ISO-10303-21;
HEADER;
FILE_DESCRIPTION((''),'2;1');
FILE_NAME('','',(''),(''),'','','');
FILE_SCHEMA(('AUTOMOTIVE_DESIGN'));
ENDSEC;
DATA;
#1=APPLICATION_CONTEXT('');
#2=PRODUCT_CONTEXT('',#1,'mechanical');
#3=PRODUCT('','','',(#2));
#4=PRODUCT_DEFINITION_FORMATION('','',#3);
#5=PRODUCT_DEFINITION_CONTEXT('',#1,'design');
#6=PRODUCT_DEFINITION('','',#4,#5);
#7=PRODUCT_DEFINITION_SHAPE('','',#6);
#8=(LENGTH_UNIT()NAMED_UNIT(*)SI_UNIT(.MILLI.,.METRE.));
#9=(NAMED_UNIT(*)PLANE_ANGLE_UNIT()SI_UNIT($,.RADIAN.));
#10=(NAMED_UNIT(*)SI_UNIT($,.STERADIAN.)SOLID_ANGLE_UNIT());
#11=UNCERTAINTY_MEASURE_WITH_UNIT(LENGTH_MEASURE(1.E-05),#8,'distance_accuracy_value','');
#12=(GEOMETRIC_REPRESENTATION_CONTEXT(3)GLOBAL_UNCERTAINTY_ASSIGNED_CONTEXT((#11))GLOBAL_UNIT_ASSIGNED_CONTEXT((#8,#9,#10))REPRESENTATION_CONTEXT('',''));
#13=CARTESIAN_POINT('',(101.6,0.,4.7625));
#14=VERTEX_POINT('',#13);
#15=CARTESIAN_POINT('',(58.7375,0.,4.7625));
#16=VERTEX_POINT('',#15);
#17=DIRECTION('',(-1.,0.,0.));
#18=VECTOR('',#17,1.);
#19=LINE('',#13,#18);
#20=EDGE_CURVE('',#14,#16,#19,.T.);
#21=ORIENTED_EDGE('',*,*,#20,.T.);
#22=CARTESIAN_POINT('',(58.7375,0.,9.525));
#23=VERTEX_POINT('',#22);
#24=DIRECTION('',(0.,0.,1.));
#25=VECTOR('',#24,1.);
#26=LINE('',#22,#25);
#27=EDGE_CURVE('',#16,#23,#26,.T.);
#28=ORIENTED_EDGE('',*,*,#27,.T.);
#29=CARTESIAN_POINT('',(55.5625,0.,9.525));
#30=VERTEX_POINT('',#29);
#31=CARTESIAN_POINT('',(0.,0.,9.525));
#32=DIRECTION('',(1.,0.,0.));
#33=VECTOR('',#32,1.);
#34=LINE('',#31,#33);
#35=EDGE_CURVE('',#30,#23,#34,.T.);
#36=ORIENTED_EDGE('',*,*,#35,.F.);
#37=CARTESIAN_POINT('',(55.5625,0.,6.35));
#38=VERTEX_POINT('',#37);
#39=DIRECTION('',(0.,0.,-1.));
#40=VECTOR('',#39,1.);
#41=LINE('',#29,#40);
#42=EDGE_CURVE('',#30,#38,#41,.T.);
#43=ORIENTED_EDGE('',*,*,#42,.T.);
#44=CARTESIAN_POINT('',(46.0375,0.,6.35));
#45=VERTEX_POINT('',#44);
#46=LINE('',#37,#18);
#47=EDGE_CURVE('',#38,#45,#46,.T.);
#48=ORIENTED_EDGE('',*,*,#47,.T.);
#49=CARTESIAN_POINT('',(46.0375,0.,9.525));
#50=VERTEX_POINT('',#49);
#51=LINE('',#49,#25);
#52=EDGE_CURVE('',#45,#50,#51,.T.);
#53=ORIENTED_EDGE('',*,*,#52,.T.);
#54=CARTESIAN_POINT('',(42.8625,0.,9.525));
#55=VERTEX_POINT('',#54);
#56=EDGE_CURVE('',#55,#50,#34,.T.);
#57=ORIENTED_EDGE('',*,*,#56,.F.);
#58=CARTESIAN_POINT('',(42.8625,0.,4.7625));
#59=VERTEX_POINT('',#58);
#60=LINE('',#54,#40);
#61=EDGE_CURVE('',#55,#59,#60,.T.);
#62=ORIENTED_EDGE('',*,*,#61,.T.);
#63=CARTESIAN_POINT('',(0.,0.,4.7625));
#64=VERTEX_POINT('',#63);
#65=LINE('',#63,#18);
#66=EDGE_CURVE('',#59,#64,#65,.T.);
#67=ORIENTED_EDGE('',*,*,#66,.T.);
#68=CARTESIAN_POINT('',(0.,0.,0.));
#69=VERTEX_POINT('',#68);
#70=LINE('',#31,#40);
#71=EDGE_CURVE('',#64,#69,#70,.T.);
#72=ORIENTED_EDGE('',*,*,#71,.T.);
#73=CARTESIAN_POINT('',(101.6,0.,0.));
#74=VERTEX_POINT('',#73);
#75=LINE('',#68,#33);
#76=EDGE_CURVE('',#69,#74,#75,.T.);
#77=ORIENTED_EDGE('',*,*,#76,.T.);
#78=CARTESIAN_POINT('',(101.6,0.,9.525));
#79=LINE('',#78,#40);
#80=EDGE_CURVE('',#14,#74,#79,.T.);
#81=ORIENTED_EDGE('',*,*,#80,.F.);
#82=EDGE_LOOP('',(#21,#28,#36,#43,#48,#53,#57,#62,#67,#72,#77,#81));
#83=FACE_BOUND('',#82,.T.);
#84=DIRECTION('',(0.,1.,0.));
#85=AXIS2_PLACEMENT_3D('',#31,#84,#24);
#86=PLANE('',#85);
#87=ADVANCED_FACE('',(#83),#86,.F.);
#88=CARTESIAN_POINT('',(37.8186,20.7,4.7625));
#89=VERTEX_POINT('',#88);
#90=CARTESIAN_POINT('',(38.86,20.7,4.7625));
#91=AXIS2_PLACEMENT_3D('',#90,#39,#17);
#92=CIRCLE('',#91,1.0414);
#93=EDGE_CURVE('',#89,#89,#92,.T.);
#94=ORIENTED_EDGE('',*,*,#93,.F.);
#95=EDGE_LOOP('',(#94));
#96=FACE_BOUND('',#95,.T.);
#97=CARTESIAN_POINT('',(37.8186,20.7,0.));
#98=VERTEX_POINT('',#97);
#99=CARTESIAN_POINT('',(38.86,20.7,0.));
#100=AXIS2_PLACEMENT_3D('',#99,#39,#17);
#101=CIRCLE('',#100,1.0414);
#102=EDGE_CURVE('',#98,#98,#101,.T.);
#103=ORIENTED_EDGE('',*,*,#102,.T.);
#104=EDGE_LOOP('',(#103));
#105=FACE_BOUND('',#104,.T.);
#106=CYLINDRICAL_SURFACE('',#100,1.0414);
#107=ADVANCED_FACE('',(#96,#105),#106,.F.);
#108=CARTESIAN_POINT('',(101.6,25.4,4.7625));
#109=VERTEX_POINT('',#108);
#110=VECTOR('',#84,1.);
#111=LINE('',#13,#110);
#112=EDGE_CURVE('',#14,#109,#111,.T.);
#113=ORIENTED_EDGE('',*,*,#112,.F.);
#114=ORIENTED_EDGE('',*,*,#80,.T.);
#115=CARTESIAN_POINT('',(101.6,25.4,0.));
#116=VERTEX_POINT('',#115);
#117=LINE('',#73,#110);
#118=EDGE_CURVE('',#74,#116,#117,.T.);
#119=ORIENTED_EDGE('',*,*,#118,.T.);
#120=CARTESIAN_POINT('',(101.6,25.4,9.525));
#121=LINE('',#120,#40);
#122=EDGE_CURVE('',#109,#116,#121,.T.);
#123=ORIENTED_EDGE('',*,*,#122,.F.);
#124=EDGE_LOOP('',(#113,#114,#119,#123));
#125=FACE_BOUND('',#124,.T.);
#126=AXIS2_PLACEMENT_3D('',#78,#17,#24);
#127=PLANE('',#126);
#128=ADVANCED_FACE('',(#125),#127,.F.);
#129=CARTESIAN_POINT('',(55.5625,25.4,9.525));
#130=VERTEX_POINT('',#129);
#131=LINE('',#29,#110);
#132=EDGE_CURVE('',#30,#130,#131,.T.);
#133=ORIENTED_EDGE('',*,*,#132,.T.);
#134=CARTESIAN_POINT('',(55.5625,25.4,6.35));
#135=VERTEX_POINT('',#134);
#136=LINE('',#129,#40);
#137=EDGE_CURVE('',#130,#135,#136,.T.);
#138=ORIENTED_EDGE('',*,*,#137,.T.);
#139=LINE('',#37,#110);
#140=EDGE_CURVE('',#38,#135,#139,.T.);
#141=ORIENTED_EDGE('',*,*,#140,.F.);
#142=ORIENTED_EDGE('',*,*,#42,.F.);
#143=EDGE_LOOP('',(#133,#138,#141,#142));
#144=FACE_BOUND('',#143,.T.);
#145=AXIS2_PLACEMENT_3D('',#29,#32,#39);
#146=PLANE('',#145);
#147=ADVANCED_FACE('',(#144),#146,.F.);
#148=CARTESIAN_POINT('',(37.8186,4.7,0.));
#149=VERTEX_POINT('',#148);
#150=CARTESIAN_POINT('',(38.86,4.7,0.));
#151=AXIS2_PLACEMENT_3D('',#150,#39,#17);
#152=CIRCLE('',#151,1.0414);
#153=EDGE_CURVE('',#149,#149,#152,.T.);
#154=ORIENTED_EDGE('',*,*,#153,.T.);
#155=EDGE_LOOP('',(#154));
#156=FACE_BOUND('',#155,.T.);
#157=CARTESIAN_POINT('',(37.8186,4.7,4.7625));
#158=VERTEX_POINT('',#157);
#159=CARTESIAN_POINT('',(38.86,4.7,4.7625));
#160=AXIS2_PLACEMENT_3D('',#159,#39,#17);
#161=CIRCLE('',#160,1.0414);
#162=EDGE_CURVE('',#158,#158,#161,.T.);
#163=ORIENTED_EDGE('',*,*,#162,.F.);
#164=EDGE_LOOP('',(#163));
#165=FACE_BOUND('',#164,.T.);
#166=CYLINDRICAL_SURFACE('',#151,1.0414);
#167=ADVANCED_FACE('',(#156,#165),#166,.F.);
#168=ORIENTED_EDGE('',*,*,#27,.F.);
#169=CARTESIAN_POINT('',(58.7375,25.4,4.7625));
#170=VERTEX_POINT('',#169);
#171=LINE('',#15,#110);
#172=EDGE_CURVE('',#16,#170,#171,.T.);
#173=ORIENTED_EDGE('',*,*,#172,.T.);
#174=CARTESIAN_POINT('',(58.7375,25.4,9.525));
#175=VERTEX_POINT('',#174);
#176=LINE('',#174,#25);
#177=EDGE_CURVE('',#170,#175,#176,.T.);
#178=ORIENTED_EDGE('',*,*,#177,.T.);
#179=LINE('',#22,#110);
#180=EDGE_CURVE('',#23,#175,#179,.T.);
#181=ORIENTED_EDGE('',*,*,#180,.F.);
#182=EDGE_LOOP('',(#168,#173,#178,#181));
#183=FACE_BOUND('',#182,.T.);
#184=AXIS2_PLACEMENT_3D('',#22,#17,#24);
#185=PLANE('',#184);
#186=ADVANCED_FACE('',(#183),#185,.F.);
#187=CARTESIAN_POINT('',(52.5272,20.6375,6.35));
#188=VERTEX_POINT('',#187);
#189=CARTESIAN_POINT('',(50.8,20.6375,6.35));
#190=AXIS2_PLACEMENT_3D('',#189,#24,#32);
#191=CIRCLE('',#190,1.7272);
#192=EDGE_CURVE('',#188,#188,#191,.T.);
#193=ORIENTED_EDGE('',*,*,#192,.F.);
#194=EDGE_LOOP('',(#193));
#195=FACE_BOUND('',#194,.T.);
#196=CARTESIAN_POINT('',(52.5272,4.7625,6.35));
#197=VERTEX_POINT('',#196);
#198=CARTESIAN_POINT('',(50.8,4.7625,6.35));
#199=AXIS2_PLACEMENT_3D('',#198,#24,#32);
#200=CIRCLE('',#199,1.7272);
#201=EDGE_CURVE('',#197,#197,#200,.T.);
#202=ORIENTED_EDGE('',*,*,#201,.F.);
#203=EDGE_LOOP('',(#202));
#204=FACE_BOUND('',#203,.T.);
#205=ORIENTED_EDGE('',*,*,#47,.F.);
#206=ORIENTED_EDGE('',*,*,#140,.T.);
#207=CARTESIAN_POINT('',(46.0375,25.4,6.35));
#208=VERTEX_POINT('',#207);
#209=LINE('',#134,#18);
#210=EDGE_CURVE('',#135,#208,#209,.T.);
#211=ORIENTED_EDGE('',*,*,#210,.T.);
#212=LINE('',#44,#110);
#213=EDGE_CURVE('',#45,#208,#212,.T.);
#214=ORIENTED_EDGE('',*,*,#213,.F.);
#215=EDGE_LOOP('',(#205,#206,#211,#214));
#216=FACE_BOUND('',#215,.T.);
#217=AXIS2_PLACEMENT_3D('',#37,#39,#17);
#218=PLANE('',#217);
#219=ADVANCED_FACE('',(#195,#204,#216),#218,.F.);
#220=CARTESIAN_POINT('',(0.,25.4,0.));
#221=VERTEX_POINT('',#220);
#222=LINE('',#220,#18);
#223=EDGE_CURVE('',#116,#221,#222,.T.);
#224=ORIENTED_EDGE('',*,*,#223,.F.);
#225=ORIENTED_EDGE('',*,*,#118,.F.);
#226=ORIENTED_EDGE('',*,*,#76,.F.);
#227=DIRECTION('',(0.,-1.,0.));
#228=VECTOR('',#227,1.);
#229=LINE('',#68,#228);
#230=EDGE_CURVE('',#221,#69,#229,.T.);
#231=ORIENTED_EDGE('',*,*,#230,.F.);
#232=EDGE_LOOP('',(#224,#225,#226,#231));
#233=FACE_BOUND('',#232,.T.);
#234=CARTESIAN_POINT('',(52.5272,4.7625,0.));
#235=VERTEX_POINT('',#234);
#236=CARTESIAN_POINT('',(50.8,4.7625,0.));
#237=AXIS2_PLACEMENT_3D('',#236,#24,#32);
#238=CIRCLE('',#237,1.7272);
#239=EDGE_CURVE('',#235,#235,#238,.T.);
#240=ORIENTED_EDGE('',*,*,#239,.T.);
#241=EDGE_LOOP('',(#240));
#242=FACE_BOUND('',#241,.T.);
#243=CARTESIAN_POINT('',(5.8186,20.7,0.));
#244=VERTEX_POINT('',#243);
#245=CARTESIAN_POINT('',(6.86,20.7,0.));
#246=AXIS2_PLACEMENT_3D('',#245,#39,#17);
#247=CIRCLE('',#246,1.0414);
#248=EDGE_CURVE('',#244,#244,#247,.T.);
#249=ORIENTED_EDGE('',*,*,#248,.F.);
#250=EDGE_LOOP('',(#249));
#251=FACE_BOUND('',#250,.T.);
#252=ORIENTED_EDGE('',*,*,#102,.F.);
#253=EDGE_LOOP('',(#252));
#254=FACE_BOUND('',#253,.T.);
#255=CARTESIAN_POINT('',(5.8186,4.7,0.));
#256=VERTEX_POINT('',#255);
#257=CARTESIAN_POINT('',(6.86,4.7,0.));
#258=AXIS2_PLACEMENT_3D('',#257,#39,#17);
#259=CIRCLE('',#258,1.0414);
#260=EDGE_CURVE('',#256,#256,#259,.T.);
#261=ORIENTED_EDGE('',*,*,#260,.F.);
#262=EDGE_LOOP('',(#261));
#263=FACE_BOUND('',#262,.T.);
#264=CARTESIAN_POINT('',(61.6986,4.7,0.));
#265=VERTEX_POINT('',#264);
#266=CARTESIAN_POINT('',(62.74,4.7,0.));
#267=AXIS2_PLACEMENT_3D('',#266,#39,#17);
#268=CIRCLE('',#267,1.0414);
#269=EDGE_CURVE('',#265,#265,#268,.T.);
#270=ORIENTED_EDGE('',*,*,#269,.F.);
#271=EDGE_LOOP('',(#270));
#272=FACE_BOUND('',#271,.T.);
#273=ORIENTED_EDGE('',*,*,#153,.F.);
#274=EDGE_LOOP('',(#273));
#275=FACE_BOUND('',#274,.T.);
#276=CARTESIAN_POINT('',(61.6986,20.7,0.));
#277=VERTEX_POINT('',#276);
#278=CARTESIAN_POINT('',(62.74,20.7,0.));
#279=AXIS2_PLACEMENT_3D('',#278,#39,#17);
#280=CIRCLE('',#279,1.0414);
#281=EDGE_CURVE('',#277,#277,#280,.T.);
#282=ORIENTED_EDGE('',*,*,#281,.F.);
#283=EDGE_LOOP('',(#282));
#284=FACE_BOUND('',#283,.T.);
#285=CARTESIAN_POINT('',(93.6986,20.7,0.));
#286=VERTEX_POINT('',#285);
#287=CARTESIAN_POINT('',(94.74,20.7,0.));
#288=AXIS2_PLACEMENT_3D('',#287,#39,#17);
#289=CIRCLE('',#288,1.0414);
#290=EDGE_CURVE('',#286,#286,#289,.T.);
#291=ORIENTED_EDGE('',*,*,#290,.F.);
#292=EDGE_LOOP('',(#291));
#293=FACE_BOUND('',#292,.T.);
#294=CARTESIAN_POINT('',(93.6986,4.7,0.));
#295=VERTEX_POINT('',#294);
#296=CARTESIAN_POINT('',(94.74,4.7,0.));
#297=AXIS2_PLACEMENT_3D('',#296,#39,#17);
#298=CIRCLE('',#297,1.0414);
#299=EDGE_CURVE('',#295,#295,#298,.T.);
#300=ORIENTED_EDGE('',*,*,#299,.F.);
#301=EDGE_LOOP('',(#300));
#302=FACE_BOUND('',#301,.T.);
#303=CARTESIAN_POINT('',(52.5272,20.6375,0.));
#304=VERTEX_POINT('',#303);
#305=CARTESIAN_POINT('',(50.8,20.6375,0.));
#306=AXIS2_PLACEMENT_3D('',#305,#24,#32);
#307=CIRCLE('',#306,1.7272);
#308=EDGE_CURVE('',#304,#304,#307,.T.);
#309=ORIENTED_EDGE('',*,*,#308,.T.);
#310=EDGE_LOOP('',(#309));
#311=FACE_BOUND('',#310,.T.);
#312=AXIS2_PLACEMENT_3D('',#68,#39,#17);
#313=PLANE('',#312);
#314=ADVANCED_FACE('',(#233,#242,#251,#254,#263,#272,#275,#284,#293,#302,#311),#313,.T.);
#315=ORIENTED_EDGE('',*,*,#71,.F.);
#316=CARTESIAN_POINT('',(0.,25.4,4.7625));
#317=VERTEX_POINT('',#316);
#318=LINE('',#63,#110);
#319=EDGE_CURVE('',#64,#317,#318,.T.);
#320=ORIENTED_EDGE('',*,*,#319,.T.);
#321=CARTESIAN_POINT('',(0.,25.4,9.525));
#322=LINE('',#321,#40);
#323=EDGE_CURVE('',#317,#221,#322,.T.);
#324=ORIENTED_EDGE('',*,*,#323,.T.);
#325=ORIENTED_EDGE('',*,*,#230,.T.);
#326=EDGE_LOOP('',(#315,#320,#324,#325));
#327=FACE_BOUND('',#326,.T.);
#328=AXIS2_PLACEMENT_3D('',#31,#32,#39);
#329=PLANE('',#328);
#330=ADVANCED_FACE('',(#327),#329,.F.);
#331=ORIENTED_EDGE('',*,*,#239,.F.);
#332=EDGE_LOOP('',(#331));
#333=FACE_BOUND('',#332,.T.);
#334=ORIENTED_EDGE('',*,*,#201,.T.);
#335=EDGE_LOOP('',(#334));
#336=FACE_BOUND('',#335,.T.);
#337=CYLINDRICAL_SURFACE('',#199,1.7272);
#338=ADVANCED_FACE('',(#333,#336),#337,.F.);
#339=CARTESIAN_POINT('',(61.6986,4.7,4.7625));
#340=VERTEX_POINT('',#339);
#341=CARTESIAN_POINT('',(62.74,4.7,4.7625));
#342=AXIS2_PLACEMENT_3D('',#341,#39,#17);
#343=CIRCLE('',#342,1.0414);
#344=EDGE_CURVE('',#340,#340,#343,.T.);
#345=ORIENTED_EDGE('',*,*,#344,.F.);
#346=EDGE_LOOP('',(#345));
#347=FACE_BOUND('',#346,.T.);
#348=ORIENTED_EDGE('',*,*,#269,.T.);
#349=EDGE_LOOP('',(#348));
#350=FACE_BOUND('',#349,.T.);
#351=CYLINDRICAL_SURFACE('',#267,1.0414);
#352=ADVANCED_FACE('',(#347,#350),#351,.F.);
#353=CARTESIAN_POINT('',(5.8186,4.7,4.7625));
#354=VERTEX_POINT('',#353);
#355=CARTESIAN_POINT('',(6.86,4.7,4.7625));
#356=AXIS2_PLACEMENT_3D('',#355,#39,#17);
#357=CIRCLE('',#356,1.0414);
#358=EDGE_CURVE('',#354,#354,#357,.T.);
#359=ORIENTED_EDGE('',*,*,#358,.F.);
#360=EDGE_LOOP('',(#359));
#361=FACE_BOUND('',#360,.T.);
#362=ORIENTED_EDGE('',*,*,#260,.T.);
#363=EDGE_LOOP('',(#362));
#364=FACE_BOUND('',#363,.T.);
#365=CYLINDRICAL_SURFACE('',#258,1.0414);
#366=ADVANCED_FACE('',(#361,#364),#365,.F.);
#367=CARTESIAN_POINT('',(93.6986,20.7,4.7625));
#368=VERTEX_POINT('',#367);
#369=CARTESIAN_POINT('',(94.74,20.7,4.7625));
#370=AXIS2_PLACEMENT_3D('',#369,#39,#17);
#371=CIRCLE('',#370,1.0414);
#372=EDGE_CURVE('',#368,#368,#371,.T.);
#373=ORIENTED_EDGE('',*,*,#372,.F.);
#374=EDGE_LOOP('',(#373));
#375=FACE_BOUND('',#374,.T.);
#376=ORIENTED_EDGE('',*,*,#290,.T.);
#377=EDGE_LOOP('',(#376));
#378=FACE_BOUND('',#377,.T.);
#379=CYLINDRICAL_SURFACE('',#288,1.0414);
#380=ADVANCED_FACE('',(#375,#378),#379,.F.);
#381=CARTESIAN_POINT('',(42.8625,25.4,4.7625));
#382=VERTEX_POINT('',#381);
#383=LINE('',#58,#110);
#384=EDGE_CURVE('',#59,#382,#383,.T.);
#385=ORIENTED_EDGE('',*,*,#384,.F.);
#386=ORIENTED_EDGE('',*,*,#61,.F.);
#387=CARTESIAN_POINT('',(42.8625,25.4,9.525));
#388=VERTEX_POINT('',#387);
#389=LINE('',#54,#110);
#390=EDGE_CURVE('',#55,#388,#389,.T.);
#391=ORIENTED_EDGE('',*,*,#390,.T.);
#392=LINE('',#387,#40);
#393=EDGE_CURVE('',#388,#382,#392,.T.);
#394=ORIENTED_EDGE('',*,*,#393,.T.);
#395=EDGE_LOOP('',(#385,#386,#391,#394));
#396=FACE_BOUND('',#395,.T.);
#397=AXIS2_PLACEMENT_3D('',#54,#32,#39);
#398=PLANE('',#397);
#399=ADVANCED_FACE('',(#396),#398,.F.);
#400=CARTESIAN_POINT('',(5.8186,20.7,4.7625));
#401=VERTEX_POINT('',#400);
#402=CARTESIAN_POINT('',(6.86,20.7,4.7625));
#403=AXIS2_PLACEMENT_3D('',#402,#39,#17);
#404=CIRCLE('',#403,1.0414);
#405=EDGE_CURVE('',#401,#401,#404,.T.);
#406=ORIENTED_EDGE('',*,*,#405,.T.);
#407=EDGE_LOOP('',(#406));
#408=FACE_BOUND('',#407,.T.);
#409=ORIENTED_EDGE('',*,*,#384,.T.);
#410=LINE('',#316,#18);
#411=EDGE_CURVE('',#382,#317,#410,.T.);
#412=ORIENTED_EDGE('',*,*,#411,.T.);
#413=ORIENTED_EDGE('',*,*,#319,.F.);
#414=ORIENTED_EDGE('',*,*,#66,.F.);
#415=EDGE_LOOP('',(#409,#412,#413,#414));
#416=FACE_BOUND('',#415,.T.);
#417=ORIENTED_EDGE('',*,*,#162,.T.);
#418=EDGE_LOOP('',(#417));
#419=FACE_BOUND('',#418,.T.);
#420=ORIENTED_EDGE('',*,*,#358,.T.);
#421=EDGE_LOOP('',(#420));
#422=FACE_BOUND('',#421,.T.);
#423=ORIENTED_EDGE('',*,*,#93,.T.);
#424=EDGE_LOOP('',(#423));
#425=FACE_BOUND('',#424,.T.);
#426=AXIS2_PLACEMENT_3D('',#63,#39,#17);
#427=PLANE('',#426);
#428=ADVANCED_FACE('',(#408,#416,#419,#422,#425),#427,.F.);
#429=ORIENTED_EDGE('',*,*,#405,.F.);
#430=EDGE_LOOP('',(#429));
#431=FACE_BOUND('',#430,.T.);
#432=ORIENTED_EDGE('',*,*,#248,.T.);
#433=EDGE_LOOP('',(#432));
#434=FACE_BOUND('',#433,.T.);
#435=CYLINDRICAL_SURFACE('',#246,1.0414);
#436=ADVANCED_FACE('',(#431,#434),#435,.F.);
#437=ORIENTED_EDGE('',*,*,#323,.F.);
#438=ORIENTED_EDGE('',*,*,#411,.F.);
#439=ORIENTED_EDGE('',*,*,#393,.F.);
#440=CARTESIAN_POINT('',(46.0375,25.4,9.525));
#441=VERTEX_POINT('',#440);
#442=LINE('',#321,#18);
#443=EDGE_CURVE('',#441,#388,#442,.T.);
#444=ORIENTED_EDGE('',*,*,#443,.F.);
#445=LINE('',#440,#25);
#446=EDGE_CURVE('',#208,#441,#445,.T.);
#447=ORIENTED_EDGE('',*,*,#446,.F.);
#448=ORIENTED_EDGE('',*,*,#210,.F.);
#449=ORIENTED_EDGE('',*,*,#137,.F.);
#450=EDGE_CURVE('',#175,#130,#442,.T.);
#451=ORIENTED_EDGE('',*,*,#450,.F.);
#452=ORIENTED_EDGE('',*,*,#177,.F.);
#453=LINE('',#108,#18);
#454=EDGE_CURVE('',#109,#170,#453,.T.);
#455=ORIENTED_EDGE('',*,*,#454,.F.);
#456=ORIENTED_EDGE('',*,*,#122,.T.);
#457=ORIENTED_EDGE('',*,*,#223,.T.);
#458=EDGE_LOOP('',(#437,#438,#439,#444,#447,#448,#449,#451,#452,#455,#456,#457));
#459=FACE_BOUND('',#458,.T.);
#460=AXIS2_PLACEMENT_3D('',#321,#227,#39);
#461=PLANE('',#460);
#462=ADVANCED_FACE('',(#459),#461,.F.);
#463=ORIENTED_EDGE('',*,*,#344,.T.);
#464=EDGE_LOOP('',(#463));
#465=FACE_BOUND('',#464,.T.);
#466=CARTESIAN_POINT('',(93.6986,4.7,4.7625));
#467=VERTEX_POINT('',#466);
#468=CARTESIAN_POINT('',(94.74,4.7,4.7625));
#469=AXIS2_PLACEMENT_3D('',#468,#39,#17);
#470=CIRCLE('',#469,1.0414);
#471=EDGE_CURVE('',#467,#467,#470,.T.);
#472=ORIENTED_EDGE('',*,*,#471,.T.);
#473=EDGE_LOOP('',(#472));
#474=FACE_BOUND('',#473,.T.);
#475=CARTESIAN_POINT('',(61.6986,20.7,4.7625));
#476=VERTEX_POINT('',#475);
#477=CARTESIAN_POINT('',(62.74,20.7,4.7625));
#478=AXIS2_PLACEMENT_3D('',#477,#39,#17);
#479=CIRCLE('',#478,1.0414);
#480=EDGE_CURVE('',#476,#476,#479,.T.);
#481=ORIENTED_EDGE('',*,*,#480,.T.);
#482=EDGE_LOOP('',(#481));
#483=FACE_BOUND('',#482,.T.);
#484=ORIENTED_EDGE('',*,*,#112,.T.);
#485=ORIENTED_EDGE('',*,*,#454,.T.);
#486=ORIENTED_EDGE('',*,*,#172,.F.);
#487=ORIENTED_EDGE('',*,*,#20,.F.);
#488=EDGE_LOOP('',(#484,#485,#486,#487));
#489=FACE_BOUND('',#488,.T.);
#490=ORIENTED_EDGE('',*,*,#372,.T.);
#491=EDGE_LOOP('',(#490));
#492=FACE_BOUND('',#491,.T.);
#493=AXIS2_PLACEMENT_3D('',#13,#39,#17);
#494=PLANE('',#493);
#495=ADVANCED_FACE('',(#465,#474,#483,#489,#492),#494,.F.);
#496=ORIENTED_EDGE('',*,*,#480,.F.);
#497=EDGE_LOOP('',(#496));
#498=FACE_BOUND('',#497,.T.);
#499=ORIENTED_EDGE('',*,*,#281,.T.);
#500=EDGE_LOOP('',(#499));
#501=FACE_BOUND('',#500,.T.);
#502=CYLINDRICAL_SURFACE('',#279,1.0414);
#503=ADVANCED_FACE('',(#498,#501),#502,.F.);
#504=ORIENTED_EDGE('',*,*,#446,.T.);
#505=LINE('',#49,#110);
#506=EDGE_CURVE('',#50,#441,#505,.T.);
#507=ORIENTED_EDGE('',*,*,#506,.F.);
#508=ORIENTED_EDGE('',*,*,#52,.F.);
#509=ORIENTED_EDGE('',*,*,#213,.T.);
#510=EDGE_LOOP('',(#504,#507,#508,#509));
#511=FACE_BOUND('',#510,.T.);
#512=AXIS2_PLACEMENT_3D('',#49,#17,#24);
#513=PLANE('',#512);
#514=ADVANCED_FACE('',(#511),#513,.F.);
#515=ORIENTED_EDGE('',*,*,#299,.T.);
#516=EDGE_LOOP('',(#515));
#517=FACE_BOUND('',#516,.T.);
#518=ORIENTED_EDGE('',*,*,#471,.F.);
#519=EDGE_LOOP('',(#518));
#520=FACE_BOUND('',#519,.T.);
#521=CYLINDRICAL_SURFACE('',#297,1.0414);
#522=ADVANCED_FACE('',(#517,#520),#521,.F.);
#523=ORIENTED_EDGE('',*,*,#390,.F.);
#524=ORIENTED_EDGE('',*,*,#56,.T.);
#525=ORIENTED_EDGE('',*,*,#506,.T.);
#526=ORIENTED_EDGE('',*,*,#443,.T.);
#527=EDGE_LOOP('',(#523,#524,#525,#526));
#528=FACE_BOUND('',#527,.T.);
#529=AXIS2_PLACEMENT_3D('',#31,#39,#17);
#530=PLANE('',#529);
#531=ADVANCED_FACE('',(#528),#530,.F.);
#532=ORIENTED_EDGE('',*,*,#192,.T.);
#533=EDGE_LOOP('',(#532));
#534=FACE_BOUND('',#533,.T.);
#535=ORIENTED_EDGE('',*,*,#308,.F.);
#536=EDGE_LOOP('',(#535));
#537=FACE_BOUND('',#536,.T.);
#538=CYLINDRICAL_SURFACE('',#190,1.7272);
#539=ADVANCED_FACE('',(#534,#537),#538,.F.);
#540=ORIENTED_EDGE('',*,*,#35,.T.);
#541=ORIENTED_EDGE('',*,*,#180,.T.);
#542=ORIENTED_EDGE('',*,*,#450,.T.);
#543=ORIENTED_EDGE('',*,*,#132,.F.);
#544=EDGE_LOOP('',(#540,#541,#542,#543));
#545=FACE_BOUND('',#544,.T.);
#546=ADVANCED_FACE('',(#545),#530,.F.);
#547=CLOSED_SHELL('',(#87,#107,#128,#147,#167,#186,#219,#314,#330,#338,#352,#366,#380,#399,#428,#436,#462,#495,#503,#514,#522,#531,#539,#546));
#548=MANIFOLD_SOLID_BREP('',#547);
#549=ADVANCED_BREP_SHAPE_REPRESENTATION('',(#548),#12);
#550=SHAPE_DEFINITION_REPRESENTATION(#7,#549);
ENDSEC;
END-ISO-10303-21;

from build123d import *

# Parameters (mm, degrees)
SKETCH1_W                       = 101.6
SKETCH1_H                       = 25.4
BOSS_EXTRUDE1_DEPTH             = 9.525
SKETCH2_W                       = 9.525
SKETCH2_H                       = 3.175
SKETCH2_W_2                     = 42.8625
SKETCH2_H_2                     = 4.7625
CUT_EXTRUDE1_DEPTH              = 106.159144277
F_8_32_TAPPED_HOLE1_D           = 3.4544
F_45_0_082_DIAMETER_HOLE1_D     = 2.0828
F_45_0_082_DIAMETER_HOLE1_DEPTH = 9.652
F_45_0_082_DIAMETER_HOLE1_TIP   = 0.625736249


with BuildPart() as part:
    # Sketch1 → Boss-Extrude1 (new body)
    with BuildSketch(Plane.XY):
        with Locations((50.8, 12.7)):
            Rectangle(SKETCH1_W, SKETCH1_H)
    extrude(amount=BOSS_EXTRUDE1_DEPTH)

    # Sketch2 → Cut-Extrude1 (cut, through all)
    with BuildSketch(Plane(origin=(0, 25.4, 0), x_dir=(1, 0, 0), z_dir=(0, 1, 0))):
        with Locations((50.8, -7.9375)):
            Rectangle(SKETCH2_W, SKETCH2_H)
        with Locations((21.43125, -7.14375)):
            Rectangle(SKETCH2_W_2, SKETCH2_H_2)
        with Locations((80.16875, -7.14375)):
            Rectangle(SKETCH2_W_2, SKETCH2_H_2)
    extrude(amount=-CUT_EXTRUDE1_DEPTH, mode=Mode.SUBTRACT)

    # #8-32 Tapped Hole1 (through all)
    with Locations(Plane.XY.offset(6.35)):
        with Locations((50.8, 4.7625), (50.8, 20.6375)):
            Hole(F_8_32_TAPPED_HOLE1_D / 2)

    # #45 (0.082) Diameter Hole1
    with Locations(Plane(origin=(0, 0, 0), x_dir=(-1, 0, 0), z_dir=(0, 0, -1))):
        with Locations((-38.86, 20.7), (-6.86, 20.7), (-38.86, 4.7), (-6.86, 4.7), (-62.74, 4.7), (-94.74, 4.7), (-62.74, 20.7), (-94.74, 20.7)):
            Hole(F_45_0_082_DIAMETER_HOLE1_D / 2, depth=F_45_0_082_DIAMETER_HOLE1_DEPTH)
            with Locations((0, 0, -(F_45_0_082_DIAMETER_HOLE1_DEPTH + F_45_0_082_DIAMETER_HOLE1_TIP / 2))):  # 118° drill point
                Cone(0, F_45_0_082_DIAMETER_HOLE1_D / 2, F_45_0_082_DIAMETER_HOLE1_TIP, mode=Mode.SUBTRACT)


solid = part.part
